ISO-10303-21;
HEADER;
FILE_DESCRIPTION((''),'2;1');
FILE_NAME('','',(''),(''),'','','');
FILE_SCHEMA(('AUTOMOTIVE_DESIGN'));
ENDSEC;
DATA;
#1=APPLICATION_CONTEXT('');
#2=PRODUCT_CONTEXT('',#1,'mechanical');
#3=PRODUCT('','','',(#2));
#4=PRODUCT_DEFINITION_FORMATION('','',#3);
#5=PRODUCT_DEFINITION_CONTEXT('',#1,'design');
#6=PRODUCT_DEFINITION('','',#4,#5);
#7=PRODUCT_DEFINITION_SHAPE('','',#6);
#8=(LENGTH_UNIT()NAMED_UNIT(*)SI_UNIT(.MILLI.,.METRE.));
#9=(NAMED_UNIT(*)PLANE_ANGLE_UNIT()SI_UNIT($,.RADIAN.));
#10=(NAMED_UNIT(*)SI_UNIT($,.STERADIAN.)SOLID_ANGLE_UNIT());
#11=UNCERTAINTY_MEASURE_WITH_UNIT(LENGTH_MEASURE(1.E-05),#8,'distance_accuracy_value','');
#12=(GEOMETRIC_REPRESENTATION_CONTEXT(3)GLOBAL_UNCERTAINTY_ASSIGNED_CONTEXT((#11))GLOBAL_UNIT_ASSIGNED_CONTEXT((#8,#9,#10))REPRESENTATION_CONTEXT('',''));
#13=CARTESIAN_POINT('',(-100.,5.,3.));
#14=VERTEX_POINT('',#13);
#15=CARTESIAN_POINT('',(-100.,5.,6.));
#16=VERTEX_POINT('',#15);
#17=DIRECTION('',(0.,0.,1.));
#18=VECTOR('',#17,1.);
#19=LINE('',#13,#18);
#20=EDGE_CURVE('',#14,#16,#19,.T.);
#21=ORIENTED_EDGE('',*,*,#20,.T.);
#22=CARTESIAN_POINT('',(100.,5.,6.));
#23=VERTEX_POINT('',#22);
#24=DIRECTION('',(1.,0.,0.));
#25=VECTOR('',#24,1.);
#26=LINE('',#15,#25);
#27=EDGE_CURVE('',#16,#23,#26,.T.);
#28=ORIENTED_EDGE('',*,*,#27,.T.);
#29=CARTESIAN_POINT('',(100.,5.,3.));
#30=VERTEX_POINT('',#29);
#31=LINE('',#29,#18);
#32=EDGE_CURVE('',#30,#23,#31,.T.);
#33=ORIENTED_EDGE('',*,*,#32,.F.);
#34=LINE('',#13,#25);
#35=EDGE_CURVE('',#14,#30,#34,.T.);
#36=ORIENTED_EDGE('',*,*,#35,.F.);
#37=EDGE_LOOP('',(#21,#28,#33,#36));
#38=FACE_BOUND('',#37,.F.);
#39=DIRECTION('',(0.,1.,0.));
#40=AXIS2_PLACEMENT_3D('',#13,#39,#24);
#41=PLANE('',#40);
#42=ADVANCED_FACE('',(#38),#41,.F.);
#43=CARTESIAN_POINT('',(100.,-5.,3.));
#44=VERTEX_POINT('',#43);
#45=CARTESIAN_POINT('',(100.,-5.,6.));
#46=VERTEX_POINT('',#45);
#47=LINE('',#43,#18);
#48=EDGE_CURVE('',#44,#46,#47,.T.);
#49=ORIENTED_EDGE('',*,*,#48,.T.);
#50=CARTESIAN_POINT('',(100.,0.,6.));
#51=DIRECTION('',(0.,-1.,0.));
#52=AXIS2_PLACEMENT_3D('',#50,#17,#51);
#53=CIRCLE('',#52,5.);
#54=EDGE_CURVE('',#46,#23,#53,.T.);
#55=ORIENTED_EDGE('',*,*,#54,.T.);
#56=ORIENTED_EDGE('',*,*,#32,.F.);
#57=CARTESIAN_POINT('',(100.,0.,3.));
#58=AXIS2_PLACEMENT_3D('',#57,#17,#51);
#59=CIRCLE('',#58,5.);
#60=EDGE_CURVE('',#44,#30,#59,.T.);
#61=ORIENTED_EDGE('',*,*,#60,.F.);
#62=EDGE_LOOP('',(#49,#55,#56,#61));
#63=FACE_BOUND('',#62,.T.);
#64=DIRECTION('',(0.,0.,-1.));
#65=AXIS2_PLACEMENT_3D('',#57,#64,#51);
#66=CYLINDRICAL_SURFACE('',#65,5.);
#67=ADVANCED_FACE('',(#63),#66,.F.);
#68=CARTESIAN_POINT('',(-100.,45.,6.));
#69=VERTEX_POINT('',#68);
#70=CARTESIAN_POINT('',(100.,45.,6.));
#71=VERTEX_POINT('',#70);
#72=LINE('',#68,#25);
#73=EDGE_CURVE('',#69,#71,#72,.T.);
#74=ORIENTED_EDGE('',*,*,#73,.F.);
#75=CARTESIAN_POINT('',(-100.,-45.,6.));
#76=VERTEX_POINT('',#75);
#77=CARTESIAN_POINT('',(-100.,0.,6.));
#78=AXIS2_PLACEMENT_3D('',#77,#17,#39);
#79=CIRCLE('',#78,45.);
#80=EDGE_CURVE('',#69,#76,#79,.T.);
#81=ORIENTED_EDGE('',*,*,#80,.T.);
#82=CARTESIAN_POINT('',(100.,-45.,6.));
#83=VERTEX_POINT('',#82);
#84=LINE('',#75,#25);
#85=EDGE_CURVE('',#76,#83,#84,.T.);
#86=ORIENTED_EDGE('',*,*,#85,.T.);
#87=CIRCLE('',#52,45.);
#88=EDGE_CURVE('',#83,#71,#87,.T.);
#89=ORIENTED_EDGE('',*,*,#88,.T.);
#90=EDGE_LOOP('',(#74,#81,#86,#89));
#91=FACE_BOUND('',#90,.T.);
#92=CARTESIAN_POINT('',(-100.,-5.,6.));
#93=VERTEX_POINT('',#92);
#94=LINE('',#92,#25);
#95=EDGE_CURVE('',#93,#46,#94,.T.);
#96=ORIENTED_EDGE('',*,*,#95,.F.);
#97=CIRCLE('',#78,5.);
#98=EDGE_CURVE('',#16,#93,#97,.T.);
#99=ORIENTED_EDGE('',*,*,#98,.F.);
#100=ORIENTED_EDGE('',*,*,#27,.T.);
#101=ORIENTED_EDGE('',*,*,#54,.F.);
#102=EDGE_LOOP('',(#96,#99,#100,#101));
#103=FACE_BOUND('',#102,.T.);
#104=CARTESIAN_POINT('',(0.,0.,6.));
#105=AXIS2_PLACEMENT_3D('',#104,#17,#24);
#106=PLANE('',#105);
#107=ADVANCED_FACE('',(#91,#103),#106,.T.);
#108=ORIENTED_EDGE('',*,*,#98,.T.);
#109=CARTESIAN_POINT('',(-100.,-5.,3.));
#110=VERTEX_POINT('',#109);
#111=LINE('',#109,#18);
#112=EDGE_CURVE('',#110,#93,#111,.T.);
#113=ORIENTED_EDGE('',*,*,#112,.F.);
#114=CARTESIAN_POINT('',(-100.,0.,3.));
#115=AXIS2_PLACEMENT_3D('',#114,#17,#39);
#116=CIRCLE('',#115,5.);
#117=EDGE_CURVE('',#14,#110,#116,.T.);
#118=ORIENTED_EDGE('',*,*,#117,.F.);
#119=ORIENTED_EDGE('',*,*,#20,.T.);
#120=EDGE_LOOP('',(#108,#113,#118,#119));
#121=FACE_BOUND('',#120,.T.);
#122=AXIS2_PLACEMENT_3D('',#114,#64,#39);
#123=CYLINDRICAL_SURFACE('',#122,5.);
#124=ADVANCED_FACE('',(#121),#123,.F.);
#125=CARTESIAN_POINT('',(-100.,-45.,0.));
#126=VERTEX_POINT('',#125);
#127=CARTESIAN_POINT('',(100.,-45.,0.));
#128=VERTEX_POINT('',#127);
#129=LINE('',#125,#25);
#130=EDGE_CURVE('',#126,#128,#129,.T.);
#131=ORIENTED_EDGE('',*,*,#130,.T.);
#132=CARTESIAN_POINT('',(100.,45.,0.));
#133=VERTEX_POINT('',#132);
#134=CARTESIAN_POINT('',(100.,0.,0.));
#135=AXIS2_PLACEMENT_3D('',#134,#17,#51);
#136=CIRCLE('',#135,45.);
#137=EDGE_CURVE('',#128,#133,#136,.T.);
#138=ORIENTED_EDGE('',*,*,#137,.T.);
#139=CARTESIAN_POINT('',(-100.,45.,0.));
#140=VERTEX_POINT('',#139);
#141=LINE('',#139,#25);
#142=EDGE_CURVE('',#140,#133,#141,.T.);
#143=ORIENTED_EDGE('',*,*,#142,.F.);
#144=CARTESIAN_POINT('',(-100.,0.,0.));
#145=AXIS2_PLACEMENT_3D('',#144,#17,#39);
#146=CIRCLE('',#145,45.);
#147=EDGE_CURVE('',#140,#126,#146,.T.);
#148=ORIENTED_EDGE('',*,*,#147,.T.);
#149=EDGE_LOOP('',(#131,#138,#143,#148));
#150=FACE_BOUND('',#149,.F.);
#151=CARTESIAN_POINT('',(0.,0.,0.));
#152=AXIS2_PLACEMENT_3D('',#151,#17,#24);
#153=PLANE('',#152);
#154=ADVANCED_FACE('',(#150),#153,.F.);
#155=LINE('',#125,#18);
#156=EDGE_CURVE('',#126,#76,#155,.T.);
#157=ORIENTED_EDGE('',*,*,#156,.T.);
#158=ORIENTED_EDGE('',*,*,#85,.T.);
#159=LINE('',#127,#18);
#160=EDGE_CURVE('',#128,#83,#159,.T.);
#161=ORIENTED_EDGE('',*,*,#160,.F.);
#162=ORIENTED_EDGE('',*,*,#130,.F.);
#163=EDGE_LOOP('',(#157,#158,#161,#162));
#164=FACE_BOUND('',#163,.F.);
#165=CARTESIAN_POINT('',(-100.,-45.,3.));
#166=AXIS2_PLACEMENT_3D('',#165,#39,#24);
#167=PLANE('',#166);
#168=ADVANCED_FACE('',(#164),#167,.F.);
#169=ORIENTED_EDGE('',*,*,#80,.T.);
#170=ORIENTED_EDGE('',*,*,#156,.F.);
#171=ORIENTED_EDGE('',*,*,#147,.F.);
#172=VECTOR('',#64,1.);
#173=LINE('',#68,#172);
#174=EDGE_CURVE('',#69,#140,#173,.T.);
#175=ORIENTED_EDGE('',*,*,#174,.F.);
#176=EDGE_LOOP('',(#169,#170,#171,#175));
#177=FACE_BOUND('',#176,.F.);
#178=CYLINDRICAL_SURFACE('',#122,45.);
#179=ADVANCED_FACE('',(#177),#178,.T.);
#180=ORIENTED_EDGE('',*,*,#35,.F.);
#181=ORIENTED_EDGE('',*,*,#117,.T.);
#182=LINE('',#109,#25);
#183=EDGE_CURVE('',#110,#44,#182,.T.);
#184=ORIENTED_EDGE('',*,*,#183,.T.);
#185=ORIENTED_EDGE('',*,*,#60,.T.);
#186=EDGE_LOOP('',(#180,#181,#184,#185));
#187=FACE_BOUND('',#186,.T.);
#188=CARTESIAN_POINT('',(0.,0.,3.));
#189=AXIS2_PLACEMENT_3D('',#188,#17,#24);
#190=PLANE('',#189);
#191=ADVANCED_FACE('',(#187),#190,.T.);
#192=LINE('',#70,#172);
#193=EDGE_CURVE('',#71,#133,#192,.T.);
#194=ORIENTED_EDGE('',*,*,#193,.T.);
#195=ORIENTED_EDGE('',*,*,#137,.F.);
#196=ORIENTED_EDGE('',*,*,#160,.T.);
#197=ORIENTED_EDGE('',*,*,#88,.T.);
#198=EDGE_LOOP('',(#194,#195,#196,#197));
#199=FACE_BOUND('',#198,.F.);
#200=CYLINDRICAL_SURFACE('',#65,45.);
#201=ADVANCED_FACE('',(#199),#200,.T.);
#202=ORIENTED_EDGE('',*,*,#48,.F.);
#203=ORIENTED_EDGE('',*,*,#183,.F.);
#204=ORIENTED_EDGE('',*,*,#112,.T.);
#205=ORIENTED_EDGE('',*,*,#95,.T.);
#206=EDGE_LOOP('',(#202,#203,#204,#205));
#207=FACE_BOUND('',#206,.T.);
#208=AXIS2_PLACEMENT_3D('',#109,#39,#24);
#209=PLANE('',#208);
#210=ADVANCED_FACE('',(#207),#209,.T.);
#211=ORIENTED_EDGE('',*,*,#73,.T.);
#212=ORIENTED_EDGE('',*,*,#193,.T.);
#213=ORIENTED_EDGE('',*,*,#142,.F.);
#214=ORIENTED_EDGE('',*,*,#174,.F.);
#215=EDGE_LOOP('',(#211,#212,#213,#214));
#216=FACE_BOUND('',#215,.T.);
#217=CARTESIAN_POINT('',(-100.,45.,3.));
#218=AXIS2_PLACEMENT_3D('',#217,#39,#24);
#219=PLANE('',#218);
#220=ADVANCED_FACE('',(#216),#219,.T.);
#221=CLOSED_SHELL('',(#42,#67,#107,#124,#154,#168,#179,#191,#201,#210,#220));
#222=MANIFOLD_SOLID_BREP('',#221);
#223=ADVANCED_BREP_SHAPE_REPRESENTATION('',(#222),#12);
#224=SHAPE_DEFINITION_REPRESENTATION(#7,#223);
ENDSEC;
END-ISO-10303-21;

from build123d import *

# Parameters (mm, degrees)
PAD_DEPTH    = 3
PAD001_DEPTH = 3


with BuildPart() as part:
    # Sketch → Pad (new body)
    with BuildSketch(Plane.XY):
        with BuildLine():
            ThreePointArc((-100, 45), (-145, 0), (-100, -45))
            Line((-100, -45), (100, -45))
            ThreePointArc((100, -45), (145, 0), (100, 45))
            Line((-100, 45), (100, 45))
        make_face()
    extrude(amount=PAD_DEPTH)

    # Sketch001 (on Face6 of Pad) → Pad001 (join)
    with BuildSketch(Plane.XY.offset(3)):
        with BuildLine():
            ThreePointArc((-100, 45), (-145, 0), (-100, -45))
            Line((-100, -45), (100, -45))
            ThreePointArc((100, -45), (145, 0), (100, 45))
            Line((-100, 45), (100, 45))
        make_face()
        with BuildLine():
            ThreePointArc((-100, 5), (-105, 0), (-100, -5))
            Line((-100, -5), (100, -5))
            ThreePointArc((100, -5), (105, 0), (100, 5))
            Line((-100, 5), (100, 5))
        make_face(mode=Mode.SUBTRACT)
    extrude(amount=PAD001_DEPTH)


solid = part.part
